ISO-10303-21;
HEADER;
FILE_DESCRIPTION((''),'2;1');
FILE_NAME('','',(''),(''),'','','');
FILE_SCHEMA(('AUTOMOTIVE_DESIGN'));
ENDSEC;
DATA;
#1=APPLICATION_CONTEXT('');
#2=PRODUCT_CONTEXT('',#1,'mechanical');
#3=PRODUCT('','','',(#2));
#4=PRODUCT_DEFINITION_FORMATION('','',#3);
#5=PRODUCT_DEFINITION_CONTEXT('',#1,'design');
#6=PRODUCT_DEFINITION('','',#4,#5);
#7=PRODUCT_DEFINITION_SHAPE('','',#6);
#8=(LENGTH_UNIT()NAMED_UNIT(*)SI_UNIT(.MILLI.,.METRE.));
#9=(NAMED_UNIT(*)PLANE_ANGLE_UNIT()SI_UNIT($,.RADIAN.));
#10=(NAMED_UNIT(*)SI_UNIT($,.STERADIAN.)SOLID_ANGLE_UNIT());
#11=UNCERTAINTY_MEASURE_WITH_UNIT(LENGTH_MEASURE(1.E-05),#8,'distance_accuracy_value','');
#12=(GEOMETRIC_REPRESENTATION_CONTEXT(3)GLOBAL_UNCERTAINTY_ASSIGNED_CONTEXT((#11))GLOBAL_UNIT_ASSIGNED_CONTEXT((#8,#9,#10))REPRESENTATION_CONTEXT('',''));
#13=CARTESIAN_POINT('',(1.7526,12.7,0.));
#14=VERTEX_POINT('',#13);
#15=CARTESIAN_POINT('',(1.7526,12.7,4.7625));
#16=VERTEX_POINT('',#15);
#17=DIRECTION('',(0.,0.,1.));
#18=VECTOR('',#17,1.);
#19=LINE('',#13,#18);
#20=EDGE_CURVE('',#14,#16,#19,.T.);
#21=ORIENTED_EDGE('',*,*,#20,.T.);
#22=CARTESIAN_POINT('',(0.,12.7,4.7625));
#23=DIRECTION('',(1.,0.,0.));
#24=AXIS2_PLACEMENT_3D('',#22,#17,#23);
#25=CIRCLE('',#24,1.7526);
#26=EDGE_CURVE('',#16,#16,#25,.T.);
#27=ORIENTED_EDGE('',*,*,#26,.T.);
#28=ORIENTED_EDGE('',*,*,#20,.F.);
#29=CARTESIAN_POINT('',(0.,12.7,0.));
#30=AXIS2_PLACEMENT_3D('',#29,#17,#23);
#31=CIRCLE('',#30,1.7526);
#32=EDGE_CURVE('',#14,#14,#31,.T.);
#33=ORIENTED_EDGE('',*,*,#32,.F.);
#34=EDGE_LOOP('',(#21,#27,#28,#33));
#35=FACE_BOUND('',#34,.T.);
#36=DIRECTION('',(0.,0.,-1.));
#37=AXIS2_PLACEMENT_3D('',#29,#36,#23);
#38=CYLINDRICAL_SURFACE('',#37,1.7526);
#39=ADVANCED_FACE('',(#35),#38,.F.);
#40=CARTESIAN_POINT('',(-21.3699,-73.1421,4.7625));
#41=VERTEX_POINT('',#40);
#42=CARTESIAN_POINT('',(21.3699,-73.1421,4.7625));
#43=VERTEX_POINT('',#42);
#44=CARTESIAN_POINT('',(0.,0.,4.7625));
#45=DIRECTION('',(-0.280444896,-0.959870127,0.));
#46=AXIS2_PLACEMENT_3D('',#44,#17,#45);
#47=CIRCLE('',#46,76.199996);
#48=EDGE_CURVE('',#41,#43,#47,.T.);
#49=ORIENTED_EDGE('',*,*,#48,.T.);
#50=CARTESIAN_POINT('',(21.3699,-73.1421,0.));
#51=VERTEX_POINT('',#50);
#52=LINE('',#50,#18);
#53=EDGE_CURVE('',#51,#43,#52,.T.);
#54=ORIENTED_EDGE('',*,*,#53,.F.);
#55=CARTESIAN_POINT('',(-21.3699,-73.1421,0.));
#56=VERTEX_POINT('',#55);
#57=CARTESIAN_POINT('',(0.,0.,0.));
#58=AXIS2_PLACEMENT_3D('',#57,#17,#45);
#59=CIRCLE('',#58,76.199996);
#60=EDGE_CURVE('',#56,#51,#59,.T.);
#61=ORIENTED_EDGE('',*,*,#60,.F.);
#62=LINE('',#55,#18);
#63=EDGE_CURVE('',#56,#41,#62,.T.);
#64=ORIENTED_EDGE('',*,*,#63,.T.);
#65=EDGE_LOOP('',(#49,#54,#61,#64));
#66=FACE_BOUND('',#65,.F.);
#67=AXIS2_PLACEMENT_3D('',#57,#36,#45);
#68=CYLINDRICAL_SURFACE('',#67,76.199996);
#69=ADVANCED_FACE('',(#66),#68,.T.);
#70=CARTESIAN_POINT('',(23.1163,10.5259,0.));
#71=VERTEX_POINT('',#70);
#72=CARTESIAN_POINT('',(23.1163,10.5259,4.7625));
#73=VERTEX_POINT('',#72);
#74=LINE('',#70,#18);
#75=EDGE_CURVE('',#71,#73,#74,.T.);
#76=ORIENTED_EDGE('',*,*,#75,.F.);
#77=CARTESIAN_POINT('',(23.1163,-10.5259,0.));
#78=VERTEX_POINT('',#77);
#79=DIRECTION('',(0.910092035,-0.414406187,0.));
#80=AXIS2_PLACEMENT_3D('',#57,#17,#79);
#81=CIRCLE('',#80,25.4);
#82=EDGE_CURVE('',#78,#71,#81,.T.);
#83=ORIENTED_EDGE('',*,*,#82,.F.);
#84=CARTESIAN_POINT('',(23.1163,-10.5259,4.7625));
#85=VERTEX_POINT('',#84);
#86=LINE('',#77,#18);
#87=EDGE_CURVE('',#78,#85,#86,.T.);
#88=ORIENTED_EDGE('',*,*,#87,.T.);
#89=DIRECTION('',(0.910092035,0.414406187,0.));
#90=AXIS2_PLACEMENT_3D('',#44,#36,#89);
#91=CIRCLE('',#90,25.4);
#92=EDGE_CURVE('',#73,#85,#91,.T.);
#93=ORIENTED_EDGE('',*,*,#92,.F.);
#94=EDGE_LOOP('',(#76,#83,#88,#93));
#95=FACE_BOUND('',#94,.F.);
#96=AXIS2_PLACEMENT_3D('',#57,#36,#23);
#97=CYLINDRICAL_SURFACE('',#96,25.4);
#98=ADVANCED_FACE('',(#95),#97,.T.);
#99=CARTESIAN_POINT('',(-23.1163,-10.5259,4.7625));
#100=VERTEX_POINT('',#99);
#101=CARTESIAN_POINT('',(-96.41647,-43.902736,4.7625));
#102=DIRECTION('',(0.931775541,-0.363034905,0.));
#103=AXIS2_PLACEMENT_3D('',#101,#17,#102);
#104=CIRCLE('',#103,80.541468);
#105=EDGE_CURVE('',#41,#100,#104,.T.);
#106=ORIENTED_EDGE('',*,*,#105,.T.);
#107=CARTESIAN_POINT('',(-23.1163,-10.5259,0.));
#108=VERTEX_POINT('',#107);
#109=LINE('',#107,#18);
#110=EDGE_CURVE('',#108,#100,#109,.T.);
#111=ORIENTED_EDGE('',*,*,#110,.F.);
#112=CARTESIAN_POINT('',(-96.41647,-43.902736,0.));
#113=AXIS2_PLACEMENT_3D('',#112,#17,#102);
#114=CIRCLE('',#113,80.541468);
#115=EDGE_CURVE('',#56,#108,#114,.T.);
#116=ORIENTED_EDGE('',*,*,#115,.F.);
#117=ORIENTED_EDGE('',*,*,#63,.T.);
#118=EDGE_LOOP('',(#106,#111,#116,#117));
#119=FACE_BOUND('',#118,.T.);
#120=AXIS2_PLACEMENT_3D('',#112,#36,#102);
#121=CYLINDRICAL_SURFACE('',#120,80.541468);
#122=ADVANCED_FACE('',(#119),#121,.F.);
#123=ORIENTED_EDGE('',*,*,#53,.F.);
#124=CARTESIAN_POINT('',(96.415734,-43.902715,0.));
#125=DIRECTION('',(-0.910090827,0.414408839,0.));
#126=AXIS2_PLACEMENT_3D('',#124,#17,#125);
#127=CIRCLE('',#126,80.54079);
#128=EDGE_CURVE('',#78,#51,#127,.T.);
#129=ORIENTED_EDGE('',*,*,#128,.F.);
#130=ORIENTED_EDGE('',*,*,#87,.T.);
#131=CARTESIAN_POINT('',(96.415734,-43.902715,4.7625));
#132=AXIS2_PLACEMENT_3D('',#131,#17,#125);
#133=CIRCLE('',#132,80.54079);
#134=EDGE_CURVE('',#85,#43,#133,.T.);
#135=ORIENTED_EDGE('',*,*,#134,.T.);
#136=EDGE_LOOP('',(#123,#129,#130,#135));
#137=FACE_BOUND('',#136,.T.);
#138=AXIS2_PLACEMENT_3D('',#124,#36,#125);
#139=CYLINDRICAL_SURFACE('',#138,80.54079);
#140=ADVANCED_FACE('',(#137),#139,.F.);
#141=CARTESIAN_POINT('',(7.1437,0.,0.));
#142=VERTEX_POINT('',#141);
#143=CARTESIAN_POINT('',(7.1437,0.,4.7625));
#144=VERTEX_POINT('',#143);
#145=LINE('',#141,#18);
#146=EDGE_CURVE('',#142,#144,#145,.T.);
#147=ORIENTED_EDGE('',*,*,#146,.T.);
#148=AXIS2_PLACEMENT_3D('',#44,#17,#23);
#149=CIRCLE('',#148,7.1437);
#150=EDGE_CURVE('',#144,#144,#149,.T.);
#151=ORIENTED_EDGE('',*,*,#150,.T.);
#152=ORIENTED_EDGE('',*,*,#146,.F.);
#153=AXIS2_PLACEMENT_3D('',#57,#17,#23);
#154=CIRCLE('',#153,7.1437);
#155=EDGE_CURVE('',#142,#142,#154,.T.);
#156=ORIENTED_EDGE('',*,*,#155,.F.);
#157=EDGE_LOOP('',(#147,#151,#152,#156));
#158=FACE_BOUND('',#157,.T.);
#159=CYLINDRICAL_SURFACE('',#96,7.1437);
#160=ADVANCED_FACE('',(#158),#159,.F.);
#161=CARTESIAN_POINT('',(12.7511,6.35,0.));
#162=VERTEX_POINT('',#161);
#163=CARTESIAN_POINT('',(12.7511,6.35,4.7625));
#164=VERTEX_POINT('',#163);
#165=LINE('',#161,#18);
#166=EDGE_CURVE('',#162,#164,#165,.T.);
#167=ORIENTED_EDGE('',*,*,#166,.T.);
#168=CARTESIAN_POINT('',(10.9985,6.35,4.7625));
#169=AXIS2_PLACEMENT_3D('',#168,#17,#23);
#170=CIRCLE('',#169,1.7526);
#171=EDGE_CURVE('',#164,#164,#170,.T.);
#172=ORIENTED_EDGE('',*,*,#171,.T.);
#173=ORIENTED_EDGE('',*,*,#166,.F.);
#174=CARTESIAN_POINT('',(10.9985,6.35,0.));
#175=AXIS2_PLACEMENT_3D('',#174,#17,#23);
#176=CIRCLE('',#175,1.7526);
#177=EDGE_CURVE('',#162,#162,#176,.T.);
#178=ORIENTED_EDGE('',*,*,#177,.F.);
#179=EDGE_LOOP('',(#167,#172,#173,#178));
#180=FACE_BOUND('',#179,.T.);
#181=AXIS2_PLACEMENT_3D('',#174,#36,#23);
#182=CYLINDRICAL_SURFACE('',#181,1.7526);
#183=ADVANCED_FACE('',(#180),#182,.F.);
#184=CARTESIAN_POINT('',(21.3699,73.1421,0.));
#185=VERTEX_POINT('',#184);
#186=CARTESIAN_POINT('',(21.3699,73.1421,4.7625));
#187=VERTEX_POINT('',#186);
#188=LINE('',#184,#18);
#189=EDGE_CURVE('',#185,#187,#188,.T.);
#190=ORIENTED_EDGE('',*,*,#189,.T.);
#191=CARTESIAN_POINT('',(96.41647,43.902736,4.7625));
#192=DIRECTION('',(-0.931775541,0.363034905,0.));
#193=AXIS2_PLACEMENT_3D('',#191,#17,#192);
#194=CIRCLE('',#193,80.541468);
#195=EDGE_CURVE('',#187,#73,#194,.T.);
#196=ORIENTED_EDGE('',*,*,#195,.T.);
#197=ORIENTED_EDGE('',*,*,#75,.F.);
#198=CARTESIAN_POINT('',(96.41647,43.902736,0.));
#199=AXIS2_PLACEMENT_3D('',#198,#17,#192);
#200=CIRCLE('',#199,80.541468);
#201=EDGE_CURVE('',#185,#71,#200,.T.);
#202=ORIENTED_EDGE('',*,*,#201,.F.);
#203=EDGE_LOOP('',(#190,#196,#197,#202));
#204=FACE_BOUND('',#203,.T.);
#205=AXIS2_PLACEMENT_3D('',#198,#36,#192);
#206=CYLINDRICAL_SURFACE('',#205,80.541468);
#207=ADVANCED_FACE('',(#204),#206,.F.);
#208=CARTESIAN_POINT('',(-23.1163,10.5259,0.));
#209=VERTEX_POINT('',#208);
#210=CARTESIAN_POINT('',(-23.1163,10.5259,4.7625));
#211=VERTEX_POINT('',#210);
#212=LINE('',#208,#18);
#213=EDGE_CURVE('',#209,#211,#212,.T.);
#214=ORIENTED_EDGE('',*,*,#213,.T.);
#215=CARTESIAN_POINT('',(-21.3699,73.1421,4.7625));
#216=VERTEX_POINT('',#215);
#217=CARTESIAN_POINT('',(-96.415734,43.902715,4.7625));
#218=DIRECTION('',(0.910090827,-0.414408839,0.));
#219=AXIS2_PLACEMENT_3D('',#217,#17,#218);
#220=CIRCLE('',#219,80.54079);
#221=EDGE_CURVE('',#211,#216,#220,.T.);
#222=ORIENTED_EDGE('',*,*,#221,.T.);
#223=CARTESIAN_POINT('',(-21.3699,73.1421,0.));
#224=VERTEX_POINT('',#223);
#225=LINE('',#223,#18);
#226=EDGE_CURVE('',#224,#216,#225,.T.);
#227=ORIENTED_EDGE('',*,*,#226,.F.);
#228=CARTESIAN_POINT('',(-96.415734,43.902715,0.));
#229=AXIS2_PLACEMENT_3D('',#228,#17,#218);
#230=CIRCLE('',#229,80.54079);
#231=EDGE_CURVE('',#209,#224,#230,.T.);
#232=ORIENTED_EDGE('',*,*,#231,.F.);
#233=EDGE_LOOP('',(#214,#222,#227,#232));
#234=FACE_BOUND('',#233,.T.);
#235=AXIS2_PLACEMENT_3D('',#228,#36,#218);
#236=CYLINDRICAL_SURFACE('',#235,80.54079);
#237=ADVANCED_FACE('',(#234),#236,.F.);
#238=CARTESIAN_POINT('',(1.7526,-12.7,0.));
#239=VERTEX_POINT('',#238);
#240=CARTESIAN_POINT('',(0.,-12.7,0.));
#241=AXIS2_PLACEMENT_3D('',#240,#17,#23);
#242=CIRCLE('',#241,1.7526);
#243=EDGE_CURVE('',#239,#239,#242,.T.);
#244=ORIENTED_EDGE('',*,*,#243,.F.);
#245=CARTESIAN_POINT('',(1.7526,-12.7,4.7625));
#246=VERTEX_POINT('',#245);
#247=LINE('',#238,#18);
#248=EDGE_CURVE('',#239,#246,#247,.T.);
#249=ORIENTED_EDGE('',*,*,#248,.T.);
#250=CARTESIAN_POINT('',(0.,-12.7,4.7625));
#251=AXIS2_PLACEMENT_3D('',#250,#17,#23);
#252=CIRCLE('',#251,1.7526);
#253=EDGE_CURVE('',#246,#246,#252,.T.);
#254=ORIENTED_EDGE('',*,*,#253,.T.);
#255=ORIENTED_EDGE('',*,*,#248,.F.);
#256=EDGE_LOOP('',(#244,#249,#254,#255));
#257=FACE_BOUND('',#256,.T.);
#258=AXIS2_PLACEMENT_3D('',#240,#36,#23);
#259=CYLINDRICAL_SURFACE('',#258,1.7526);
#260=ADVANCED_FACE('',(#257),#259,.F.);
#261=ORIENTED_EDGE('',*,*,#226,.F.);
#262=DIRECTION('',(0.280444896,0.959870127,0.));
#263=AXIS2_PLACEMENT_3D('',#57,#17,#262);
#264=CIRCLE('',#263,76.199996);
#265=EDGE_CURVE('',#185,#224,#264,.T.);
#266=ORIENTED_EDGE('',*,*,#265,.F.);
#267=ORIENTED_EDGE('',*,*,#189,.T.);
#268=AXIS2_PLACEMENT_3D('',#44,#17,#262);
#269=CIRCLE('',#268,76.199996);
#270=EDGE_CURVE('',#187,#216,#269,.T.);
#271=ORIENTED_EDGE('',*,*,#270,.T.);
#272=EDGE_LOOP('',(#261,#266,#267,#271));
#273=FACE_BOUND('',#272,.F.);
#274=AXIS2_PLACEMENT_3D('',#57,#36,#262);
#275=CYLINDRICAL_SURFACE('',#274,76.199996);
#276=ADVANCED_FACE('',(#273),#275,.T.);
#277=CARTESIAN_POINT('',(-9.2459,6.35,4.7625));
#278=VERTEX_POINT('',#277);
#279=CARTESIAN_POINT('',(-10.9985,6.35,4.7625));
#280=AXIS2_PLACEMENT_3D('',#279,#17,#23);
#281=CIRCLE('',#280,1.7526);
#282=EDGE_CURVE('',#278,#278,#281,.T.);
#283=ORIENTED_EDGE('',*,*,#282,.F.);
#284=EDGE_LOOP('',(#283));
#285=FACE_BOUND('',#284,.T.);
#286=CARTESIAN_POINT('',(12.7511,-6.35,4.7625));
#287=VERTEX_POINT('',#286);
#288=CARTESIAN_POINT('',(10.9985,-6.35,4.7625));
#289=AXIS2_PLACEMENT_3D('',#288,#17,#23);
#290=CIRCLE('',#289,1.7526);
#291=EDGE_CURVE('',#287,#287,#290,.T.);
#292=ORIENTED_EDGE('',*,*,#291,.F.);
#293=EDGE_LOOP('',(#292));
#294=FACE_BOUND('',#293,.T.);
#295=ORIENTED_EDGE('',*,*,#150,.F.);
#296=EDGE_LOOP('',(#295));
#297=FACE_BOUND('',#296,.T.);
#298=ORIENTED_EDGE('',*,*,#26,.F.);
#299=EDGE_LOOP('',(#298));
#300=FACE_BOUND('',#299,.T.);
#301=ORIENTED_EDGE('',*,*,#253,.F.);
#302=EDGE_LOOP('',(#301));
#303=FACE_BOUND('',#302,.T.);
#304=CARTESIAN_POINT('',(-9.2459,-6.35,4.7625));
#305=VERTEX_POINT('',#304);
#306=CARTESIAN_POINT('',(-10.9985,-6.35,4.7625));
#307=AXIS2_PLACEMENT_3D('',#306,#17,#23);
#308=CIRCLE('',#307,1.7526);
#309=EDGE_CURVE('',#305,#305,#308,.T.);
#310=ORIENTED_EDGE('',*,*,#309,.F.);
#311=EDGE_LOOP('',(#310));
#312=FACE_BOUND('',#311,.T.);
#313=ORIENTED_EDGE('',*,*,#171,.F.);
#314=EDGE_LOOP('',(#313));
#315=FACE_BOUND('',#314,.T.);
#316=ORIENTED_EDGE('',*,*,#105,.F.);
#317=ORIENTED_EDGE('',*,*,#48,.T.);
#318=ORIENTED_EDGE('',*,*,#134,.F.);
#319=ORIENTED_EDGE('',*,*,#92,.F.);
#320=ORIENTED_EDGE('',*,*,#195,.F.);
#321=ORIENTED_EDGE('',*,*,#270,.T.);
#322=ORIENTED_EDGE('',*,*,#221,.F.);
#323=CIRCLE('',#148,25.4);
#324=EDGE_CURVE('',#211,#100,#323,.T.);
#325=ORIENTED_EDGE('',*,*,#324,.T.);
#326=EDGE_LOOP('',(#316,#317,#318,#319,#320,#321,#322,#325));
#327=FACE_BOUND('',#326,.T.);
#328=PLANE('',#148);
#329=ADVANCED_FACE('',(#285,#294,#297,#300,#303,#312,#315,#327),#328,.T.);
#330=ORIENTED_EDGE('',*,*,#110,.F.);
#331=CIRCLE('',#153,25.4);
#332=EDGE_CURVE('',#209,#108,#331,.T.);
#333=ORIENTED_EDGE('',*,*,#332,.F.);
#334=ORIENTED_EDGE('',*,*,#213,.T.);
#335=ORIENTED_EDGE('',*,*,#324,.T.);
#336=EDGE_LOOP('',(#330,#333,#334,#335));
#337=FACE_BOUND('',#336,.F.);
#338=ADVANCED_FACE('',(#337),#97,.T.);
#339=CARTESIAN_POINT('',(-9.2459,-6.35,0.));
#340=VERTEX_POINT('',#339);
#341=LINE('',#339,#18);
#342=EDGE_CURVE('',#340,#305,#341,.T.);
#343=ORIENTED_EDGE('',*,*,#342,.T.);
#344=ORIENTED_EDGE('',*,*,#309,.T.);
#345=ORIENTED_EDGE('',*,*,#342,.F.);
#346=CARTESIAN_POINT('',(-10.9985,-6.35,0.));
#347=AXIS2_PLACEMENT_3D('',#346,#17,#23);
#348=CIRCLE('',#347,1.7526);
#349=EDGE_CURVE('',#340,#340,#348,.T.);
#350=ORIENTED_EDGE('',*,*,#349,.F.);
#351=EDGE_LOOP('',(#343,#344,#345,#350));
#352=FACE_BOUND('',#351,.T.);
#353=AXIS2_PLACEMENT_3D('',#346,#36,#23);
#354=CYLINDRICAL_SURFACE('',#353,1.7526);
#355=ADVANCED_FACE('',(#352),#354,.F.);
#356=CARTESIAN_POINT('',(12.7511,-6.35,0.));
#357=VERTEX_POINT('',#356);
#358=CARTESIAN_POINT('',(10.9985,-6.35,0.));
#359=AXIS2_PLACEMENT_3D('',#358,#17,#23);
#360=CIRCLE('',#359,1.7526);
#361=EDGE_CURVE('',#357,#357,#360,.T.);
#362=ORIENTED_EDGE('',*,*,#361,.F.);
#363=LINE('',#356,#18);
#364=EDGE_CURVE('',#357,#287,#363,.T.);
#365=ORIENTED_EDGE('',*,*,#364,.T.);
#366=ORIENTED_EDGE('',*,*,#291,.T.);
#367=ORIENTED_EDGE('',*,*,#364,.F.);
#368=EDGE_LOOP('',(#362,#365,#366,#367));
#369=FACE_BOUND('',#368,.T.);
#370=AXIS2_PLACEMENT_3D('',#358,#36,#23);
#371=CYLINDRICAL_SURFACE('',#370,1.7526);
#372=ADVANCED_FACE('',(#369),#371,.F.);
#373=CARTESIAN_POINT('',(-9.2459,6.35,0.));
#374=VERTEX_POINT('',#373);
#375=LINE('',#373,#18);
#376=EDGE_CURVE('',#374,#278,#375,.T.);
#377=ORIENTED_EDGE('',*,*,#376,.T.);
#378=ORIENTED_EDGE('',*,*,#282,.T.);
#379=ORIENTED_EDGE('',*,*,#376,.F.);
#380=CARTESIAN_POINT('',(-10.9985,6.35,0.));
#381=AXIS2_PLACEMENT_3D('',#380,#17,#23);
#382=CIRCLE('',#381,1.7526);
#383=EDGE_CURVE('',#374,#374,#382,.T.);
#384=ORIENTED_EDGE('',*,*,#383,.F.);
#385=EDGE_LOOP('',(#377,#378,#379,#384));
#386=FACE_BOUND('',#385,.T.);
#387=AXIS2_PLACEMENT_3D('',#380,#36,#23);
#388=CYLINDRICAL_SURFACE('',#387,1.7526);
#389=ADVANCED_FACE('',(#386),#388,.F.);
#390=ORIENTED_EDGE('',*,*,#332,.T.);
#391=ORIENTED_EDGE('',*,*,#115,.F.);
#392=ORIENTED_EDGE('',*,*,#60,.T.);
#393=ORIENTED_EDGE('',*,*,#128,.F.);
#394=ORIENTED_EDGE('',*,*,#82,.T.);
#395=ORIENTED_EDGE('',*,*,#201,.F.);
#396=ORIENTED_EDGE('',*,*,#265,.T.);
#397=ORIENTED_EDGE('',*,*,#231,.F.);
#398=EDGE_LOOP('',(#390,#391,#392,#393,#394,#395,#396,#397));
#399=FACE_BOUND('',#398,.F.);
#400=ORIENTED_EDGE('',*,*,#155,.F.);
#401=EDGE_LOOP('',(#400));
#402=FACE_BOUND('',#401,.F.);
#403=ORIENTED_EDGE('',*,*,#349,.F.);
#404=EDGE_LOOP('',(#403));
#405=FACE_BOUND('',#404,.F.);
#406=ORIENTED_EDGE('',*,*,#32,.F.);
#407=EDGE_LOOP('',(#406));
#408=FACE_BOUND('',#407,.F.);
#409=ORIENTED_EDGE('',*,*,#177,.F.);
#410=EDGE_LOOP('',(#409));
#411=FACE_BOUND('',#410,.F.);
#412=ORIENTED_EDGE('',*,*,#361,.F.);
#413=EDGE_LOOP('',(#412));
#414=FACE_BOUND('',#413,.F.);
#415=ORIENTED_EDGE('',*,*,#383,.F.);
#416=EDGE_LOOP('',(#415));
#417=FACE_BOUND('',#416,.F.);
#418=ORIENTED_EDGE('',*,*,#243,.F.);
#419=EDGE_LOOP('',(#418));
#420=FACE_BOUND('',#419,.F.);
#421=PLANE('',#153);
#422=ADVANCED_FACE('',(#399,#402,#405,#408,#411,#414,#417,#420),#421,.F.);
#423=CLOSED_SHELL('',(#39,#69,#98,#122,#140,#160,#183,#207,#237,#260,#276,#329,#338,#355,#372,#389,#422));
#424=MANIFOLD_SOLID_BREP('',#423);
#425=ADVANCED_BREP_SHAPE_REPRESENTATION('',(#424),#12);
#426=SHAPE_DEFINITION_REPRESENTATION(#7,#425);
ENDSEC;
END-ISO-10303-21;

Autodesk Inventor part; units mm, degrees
ref_plane "YZ Plane" through (0, 0, 0) normal (1, 0, 0) x (0, 1, 0)
ref_plane "XZ Plane" through (0, 0, 0) normal (0, 1, 0) x (-1, 0, 0)
ref_plane "XY Plane" through (0, 0, 0) normal (0, 0, 1) x (1, 0, 0)
sketch "Sketch1" plane through (0, 0, 0) normal (0, 0, 1) x (1, 0, 0)
  circle A0 centre (0, 0) radius 7.1437
  line L0 (0, 0) -> (0, 12.7) construction
  circle A1 centre (0, 12.7) radius 1.7526
  circle A2 centre (-10.9985, 6.35) radius 1.7526
  circle A3 centre (-10.9985, -6.35) radius 1.7526
  circle A4 centre (0, -12.7) radius 1.7526
  circle A5 centre (10.9985, -6.35) radius 1.7526
  circle A6 centre (10.9985, 6.35) radius 1.7526
  circle A7 centre (0, 0) radius 76.2 construction
  line L1 (-15.875, -74.528) -> (15.875, -74.528) construction
  line L2 (15.875, -74.528) -> (15.875, 74.528) construction
  line L3 (15.875, 74.528) -> (-15.875, 74.528) construction
  line L4 (-15.875, 74.528) -> (-15.875, -74.528) construction
  line L5 (-15.875, -74.528) -> (15.875, 74.528) construction
  line L6 (15.875, -74.528) -> (-15.875, 74.528) construction
  line L7 (0, 76.2) -> (0, -76.2) construction
  line L8 (0, 0) -> (21.3699, 73.1421) construction
  circle A8 centre (0, 0) radius 66.675 construction
  circle A9 centre (0, 0) radius 25.4
  line L9 (21.3699, 73.1421) -> (17.8969, 64.2282) construction
  arc A10 (21.3699, 73.1421) -> (-21.3699, 73.1421) centre (0, 0) ccw
  line L10 (-15.875, 0) -> (15.875, 0) construction
  arc A11 (-21.3699, -73.1421) -> (21.3699, -73.1421) centre (0, 0) ccw
  arc A12 (21.3699, 73.1421) -> (23.1163, 10.5259) centre (96.4161, 43.9028) ccw
  arc A13 (-23.1163, 10.5259) -> (-21.3699, 73.1421) centre (-96.4161, 43.9028) ccw
  arc A14 (23.1163, -10.5259) -> (21.3699, -73.1421) centre (96.4161, -43.9028) ccw
  arc A15 (-21.3699, -73.1421) -> (-23.1163, -10.5259) centre (-96.4161, -43.9028) ccw
  point P0 (0, 74.528)
  point P1 (0, -66.675)
  point P2 (23.1163, -10.5259)
  point P3 (-23.1163, -10.5259)
  point P4 (-23.1163, 10.5259)
  dimension "d10" = 50.8
  dimension "d0" = 14.2875
  dimension "d1" = 12.7
  dimension "d2" = 3.5052
  dimension "d5" = 360
  dimension "d7" = 152.4
  dimension "d8" = 31.75
  dimension "d9" = 9.525
  dimension "d11" = 5
extrude "Extrusion1" add sketch "Sketch1" along normal blind 4.7625
sketch "Sketch3" plane through (0, 0, 0) normal (0, 0, -1) x (-1, 0, 0)
  circle A0 centre (0, 0) radius 76.2 construction
  point P0 (21.3699, 73.1421)
  dimension "d25" = 152.4
properties part number "Blade (Bar)" material "Stainless Steel"
